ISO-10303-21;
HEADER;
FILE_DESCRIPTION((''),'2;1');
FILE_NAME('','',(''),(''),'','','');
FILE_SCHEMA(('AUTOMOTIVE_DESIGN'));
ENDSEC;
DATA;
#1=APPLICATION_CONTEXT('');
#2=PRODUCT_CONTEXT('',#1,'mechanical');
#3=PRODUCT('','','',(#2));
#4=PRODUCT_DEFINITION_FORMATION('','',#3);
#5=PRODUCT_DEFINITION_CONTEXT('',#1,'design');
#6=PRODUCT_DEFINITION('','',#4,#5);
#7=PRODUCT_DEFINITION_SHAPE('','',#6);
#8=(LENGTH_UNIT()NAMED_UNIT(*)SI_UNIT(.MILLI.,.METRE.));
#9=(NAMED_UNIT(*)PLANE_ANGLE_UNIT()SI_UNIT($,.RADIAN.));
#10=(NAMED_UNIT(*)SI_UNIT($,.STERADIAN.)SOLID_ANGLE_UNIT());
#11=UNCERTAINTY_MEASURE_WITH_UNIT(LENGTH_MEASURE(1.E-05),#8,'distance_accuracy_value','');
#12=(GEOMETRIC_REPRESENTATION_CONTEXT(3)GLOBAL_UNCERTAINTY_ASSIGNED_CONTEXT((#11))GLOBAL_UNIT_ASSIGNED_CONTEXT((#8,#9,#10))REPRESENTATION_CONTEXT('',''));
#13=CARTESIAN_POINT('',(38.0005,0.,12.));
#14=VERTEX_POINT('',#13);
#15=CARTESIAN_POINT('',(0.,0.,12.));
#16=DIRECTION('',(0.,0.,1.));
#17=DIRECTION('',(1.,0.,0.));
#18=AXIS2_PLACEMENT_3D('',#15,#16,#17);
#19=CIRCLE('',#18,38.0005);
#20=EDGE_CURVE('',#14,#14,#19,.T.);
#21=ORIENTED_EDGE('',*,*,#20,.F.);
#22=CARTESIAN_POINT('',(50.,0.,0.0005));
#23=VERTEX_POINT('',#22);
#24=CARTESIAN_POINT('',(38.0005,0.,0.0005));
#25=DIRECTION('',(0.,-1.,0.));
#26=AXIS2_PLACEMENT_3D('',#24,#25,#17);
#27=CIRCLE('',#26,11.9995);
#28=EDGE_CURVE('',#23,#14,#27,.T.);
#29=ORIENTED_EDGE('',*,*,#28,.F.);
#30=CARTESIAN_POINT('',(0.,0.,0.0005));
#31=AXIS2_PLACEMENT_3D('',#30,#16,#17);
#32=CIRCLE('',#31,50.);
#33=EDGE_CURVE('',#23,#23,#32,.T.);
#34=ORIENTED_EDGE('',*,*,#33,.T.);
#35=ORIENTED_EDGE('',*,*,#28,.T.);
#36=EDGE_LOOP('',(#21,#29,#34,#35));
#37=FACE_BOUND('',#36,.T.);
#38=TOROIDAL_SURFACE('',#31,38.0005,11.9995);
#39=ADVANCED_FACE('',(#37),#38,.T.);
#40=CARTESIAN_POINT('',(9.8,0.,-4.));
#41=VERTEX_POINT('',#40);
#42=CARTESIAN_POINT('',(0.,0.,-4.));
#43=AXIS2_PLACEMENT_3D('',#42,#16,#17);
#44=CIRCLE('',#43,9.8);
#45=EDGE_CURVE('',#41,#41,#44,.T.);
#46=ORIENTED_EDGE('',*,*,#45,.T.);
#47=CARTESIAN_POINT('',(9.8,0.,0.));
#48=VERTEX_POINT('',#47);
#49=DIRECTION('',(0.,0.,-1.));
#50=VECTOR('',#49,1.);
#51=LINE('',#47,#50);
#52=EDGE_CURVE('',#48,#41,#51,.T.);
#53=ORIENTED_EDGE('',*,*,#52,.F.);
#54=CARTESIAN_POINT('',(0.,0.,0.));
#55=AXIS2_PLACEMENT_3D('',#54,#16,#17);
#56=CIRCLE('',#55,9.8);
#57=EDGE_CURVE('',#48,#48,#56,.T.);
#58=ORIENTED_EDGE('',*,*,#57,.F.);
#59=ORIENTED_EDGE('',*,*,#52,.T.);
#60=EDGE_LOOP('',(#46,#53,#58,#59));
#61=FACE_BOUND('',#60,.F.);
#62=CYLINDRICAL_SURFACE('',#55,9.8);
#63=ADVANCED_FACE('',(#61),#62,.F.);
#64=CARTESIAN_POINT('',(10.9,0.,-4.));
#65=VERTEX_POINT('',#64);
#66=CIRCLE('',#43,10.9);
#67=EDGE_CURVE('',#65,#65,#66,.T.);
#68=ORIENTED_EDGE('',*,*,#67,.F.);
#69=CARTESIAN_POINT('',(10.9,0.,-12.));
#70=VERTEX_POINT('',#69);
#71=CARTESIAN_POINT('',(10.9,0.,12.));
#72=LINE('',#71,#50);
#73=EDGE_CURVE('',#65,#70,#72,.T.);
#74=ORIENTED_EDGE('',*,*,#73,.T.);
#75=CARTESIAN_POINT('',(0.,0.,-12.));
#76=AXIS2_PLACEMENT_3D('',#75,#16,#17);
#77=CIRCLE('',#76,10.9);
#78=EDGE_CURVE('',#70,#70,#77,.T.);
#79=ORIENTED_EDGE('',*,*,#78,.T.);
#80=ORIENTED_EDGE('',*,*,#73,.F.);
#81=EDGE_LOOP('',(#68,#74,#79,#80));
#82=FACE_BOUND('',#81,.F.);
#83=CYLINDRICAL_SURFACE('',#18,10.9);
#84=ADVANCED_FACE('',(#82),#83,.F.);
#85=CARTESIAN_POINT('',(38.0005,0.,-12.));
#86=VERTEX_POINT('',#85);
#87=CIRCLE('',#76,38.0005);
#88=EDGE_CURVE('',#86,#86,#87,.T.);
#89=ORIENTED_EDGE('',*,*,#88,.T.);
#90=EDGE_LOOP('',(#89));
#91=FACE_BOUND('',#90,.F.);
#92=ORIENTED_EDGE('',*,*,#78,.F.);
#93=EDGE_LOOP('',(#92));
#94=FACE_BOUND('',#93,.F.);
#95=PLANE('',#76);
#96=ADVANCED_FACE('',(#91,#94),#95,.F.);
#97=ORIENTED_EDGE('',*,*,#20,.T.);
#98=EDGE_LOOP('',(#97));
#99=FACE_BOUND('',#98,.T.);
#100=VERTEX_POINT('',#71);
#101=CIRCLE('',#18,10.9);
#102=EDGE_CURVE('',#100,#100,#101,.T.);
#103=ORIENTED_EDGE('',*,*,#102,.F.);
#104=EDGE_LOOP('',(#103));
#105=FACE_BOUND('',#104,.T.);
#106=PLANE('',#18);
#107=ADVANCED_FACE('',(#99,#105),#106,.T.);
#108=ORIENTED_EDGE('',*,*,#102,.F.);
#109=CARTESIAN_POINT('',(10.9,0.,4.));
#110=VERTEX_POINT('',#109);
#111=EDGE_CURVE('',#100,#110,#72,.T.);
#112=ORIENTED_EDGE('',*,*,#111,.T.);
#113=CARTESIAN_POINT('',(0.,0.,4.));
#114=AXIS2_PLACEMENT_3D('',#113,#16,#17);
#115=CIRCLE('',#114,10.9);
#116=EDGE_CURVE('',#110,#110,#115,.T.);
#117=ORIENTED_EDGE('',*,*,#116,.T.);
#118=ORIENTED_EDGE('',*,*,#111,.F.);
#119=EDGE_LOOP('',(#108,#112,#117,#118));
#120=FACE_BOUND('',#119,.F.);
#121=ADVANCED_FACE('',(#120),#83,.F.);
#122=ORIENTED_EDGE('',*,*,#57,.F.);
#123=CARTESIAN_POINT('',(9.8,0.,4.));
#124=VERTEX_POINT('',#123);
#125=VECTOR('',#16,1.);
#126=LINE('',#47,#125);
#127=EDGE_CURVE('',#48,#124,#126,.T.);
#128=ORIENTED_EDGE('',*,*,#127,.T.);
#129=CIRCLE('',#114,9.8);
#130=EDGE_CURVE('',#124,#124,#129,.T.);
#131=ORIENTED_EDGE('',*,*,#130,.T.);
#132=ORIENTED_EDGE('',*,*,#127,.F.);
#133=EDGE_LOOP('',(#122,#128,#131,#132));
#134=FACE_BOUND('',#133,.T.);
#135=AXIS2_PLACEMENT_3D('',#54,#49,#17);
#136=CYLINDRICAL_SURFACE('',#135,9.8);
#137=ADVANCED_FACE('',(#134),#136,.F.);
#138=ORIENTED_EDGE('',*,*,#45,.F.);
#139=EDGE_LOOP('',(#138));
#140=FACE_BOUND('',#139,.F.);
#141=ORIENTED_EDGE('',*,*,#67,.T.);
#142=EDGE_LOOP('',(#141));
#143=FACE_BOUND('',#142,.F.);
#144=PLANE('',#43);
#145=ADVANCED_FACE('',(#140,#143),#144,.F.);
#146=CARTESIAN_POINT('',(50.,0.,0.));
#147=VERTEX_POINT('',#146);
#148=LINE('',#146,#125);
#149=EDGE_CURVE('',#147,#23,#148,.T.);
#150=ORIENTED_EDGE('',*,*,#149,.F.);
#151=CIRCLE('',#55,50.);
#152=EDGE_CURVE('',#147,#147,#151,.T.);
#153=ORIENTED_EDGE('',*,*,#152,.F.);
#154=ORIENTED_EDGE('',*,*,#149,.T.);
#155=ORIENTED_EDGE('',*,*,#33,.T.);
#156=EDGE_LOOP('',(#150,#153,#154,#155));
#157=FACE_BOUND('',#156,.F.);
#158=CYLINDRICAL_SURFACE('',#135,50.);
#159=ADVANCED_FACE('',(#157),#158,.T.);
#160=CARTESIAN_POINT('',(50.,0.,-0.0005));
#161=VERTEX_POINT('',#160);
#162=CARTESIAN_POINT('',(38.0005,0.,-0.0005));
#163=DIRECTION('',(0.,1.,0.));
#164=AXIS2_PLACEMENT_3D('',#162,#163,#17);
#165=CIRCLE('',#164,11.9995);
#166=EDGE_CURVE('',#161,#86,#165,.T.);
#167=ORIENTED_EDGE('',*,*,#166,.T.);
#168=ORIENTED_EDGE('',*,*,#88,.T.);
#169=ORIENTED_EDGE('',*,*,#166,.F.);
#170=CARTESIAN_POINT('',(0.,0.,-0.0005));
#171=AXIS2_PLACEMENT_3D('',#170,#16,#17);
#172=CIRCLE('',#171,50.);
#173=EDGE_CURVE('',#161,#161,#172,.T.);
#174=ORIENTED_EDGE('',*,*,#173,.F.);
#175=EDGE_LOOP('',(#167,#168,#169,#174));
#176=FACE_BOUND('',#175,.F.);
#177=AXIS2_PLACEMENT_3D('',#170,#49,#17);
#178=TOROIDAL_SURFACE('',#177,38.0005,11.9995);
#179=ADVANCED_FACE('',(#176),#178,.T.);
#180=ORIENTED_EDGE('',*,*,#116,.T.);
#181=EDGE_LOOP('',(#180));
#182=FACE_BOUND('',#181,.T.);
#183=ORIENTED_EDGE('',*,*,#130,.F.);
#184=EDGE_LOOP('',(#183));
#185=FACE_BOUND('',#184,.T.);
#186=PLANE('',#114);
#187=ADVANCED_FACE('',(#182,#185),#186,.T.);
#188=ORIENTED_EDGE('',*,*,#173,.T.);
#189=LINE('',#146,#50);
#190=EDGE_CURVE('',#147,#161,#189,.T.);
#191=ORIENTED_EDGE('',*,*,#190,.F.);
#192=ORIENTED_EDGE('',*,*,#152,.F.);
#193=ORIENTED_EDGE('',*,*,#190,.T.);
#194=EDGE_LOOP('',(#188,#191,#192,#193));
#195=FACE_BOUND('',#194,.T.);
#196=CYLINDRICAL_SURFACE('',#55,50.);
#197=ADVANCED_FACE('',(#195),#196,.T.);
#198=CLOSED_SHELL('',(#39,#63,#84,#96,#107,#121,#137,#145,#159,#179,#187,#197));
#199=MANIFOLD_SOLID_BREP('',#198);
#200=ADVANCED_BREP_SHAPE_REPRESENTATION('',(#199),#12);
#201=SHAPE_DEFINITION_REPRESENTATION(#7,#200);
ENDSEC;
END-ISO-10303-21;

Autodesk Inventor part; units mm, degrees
ref_plane "YZ Plane" through (0, 0, 0) normal (1, 0, 0) x (0, 1, 0)
ref_plane "XZ Plane" through (0, 0, 0) normal (0, 1, 0) x (-1, 0, 0)
ref_plane "XY Plane" through (0, 0, 0) normal (0, 0, 1) x (1, 0, 0)
sketch "Sketch1" plane through (0, 0, 0) normal (0, 0, 1) x (1, 0, 0)
  circle A0 centre (0, 0) radius 50
  dimension "d0" = 100
extrude "Extrusion1" add sketch "Sketch1" along normal mid plane 24
fillet "Fillet1" radius 12 2 edges at (-50, 0, 12) (-50, 0, -12)
sketch "Sketch2" plane through (0, 0, 12) normal (0, 0, 1) x (1, 0, 0)
  point P0 (0, 0)
sketch "Sketch3" plane through (0, 0, 12) normal (0, 0, 1) x (1, 0, 0)
  circle A0 centre (0, 0) radius 10.9
  dimension "d4" = 21.8
extrude "Extrusion2" cut sketch "Sketch3" against normal through all
sketch "Sketch4" plane through (0, 0, 0) normal (0, 0, 1) x (1, 0, 0)
  circle A0 centre (0, 0) radius 9.8
  circle A1 centre (0, 0) radius 10.9
  circle A2 centre (0, 0) radius 10.9 projected
  dimension "d7" = 19.6
extrude "Extrusion4" add sketch "Sketch4" along normal mid plane 8
properties part number "WHEEL" material "Rubber"
